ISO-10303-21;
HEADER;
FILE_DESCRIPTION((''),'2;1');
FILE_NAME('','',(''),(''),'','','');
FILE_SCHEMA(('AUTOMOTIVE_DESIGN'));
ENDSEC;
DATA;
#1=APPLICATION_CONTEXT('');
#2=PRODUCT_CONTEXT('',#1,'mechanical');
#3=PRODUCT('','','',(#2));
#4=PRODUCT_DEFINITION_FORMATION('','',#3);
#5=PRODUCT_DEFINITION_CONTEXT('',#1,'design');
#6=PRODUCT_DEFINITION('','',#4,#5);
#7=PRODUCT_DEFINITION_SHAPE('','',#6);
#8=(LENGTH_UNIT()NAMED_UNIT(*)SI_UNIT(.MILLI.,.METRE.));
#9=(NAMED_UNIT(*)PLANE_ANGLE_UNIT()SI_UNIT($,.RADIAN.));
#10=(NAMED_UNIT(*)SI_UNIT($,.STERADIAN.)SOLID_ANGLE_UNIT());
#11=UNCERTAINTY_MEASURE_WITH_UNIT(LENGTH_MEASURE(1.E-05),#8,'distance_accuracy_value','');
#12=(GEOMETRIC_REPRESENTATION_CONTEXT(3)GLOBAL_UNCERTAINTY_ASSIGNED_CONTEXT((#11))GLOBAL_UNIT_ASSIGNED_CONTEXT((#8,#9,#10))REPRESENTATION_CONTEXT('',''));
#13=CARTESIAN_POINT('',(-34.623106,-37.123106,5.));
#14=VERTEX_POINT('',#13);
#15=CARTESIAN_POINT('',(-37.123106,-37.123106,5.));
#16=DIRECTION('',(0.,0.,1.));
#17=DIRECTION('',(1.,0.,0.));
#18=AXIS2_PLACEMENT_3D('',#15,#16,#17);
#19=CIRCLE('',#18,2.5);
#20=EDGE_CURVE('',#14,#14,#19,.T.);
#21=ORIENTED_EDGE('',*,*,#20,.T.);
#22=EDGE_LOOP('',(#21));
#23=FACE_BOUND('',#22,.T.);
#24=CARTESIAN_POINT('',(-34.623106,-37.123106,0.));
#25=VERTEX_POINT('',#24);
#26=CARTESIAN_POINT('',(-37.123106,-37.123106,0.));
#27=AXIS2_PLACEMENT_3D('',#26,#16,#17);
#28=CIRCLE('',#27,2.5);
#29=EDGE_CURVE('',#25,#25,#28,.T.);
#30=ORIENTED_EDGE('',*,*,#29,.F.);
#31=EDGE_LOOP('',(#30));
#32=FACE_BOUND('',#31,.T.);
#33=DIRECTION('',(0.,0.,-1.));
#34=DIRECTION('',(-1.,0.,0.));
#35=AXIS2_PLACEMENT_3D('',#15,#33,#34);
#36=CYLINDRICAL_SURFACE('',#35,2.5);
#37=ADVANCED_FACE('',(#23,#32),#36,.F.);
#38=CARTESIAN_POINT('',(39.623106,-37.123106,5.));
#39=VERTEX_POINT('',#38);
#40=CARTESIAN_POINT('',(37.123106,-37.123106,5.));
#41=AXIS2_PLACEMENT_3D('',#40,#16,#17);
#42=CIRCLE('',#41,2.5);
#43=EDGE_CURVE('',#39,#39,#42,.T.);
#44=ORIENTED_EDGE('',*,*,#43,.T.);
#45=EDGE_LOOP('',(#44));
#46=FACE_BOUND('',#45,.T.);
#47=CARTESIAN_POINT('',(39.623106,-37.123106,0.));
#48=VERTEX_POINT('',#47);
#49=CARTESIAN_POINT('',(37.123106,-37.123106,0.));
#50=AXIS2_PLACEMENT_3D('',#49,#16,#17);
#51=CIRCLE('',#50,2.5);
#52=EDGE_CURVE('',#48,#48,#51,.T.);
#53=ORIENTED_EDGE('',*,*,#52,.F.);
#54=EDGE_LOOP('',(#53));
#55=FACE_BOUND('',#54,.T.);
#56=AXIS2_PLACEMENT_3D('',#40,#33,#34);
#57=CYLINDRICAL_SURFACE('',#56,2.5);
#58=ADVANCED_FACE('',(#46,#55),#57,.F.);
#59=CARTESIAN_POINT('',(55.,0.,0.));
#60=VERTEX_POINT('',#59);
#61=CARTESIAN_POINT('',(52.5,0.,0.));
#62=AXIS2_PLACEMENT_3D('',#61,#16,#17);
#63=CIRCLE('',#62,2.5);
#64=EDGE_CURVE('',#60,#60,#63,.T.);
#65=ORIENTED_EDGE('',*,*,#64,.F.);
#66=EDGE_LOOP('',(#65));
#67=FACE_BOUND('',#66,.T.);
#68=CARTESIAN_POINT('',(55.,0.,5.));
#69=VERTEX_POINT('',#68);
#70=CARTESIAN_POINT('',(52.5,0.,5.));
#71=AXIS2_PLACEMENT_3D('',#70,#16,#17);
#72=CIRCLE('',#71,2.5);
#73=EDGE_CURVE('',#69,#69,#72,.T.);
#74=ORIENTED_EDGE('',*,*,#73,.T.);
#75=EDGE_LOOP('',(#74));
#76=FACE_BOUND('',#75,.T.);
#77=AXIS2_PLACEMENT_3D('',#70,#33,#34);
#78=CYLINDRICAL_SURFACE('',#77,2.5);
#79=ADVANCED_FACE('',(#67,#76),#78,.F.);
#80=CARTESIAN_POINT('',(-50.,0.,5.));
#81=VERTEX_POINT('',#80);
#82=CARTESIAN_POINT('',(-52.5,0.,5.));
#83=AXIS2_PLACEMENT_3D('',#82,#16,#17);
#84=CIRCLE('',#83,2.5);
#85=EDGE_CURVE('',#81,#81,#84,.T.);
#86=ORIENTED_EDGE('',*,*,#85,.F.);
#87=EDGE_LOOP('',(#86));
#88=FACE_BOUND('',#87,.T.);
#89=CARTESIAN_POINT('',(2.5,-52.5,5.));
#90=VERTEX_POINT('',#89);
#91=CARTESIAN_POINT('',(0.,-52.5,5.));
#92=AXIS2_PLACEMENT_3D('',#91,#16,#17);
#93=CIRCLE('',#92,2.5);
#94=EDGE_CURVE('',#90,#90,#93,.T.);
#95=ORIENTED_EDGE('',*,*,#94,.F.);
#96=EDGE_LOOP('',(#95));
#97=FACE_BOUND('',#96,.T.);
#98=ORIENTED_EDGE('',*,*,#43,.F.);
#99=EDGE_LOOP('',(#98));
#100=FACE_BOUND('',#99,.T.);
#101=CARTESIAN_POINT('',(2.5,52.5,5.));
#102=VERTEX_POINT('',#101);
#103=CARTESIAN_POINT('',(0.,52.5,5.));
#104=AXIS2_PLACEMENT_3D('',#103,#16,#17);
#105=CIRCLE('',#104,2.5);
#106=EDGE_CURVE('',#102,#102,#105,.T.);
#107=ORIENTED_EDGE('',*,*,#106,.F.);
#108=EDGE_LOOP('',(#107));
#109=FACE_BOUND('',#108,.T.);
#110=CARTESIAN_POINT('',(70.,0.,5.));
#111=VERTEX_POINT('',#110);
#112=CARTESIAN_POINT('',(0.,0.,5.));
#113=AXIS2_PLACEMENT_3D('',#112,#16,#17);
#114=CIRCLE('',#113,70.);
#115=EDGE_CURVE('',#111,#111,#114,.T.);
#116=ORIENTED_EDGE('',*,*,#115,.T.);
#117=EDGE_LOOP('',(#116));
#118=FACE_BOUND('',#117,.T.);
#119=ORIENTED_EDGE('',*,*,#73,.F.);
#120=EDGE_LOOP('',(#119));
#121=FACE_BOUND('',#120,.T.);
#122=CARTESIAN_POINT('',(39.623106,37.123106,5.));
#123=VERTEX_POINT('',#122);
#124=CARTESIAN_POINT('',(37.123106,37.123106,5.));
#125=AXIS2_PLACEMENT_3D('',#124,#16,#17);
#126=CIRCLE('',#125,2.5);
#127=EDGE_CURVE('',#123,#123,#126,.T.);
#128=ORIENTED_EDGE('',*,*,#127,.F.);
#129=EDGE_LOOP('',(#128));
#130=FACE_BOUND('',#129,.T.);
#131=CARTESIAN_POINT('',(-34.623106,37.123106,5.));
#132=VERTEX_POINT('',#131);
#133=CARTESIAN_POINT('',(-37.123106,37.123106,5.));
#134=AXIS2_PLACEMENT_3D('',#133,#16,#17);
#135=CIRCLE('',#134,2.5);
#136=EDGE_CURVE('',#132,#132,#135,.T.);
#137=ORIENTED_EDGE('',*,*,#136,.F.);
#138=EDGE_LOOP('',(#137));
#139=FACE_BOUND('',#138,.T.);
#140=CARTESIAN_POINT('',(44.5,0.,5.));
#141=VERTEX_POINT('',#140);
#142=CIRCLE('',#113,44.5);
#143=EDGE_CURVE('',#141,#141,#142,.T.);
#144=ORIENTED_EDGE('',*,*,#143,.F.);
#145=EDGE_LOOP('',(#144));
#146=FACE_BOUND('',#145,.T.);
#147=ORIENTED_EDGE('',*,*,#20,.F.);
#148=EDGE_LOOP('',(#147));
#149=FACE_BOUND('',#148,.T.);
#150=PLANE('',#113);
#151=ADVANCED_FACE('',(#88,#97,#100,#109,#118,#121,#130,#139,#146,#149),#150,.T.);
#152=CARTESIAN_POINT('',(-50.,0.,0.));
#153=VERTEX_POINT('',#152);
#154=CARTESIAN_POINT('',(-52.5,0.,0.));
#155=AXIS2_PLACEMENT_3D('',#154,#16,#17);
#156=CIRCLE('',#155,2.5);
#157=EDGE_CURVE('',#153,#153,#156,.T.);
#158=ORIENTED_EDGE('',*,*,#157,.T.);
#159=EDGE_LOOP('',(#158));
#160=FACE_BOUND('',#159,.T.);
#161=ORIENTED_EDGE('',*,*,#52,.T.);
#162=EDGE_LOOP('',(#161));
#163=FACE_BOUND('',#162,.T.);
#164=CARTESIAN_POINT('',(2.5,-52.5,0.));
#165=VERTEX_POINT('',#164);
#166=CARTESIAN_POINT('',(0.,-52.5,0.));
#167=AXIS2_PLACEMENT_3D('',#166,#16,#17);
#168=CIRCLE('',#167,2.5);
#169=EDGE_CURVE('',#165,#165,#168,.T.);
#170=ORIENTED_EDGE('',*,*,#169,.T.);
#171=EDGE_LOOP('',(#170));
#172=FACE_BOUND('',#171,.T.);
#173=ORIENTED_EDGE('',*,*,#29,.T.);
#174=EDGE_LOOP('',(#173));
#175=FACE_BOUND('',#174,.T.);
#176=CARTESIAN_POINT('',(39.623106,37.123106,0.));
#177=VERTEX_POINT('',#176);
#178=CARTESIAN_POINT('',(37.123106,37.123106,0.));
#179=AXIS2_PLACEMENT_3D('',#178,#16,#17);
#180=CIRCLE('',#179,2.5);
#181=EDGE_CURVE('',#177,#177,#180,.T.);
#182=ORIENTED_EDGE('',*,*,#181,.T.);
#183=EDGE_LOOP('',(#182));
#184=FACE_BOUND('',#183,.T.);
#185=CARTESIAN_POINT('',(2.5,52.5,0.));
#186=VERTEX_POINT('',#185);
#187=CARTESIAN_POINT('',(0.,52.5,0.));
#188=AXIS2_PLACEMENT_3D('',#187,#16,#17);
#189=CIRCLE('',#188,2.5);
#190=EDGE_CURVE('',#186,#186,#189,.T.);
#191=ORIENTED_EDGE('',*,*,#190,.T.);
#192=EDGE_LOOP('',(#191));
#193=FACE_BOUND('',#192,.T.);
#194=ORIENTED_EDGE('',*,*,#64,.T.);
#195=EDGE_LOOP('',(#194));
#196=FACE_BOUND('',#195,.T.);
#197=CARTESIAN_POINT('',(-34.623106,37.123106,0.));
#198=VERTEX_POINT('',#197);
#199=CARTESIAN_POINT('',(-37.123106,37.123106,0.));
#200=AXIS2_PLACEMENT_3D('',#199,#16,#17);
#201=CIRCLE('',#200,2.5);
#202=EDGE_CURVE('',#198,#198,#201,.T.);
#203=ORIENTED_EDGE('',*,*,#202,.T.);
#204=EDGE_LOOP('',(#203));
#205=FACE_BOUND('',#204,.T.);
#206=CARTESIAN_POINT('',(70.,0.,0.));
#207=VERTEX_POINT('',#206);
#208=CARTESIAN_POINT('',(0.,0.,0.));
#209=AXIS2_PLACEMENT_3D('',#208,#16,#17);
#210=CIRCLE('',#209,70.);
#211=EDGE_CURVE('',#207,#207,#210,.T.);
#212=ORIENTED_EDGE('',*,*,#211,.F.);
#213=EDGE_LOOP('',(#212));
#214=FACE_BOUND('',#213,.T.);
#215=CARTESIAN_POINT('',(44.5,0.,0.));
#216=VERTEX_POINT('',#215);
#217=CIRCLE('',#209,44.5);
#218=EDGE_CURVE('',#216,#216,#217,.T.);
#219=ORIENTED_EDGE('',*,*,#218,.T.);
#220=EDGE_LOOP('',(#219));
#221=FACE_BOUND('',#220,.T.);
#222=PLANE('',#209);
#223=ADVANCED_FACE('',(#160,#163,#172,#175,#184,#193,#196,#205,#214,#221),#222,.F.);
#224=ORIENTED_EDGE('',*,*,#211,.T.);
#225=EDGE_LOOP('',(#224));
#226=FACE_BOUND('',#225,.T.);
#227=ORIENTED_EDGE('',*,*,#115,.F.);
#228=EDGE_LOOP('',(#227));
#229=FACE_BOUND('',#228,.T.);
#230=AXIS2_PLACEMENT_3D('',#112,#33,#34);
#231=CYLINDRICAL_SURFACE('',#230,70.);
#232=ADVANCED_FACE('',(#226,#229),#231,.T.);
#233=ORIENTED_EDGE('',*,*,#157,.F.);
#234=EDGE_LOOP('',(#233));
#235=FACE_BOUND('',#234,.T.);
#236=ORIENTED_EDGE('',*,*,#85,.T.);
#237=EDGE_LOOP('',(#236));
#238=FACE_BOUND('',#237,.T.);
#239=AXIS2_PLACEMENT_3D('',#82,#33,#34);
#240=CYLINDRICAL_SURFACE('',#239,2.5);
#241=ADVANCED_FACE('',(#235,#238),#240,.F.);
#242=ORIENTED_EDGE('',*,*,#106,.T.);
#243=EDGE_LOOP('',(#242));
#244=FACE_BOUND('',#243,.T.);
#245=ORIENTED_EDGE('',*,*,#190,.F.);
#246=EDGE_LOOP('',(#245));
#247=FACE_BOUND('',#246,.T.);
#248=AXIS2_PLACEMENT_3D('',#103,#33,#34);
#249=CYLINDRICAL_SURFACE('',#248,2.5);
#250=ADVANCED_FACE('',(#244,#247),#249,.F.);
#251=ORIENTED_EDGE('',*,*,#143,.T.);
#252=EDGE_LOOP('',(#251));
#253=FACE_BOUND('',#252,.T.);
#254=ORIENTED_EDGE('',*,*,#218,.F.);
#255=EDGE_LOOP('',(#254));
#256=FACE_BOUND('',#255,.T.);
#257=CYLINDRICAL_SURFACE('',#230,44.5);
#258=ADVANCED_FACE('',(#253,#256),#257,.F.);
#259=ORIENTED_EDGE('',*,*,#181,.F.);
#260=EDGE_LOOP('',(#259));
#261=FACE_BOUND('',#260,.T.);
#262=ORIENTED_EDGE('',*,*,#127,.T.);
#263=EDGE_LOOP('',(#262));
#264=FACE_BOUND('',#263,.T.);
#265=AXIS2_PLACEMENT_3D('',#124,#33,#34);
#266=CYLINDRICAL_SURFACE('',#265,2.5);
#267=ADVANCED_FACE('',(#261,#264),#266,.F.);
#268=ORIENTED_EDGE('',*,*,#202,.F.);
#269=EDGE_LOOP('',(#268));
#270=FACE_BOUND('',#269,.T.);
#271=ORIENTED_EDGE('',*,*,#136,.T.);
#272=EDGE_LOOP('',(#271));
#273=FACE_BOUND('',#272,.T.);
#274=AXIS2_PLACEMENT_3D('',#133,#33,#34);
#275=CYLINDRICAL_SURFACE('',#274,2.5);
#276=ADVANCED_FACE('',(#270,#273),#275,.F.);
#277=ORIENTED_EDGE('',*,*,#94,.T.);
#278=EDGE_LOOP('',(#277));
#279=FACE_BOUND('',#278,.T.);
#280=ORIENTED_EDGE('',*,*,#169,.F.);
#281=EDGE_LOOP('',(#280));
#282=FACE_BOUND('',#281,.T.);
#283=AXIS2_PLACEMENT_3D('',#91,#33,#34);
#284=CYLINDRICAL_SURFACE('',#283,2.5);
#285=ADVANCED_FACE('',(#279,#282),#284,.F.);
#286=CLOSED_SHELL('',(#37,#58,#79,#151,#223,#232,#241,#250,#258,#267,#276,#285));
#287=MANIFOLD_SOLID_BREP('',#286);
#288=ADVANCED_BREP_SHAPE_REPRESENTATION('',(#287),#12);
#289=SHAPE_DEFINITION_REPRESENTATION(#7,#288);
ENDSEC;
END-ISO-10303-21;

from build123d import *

# Parameters (mm, degrees)
SKETCH1_R           = 70
SKETCH1_R_2         = 44.5
SKETCH1_R_3         = 2.5
BOSS_EXTRUDE1_DEPTH = 5


with BuildPart() as part:
    # Sketch1 → Boss-Extrude1 (new body)
    with BuildSketch(Plane.XY):
        Circle(SKETCH1_R)
        Circle(SKETCH1_R_2, mode=Mode.SUBTRACT)
        with Locations((37.123106012, -37.123106012)):
            Circle(SKETCH1_R_3, mode=Mode.SUBTRACT)
        with Locations((52.5, 0)):
            Circle(SKETCH1_R_3, mode=Mode.SUBTRACT)
        with Locations((0, -52.5)):
            Circle(SKETCH1_R_3, mode=Mode.SUBTRACT)
        with Locations((-37.123106012, -37.123106012)):
            Circle(SKETCH1_R_3, mode=Mode.SUBTRACT)
        with Locations((-52.5, 0)):
            Circle(SKETCH1_R_3, mode=Mode.SUBTRACT)
        with Locations((37.123106012, 37.123106012)):
            Circle(SKETCH1_R_3, mode=Mode.SUBTRACT)
        with Locations((-37.123106012, 37.123106012)):
            Circle(SKETCH1_R_3, mode=Mode.SUBTRACT)
        with Locations((0, 52.5)):
            Circle(SKETCH1_R_3, mode=Mode.SUBTRACT)
    extrude(amount=BOSS_EXTRUDE1_DEPTH)


solid = part.part
